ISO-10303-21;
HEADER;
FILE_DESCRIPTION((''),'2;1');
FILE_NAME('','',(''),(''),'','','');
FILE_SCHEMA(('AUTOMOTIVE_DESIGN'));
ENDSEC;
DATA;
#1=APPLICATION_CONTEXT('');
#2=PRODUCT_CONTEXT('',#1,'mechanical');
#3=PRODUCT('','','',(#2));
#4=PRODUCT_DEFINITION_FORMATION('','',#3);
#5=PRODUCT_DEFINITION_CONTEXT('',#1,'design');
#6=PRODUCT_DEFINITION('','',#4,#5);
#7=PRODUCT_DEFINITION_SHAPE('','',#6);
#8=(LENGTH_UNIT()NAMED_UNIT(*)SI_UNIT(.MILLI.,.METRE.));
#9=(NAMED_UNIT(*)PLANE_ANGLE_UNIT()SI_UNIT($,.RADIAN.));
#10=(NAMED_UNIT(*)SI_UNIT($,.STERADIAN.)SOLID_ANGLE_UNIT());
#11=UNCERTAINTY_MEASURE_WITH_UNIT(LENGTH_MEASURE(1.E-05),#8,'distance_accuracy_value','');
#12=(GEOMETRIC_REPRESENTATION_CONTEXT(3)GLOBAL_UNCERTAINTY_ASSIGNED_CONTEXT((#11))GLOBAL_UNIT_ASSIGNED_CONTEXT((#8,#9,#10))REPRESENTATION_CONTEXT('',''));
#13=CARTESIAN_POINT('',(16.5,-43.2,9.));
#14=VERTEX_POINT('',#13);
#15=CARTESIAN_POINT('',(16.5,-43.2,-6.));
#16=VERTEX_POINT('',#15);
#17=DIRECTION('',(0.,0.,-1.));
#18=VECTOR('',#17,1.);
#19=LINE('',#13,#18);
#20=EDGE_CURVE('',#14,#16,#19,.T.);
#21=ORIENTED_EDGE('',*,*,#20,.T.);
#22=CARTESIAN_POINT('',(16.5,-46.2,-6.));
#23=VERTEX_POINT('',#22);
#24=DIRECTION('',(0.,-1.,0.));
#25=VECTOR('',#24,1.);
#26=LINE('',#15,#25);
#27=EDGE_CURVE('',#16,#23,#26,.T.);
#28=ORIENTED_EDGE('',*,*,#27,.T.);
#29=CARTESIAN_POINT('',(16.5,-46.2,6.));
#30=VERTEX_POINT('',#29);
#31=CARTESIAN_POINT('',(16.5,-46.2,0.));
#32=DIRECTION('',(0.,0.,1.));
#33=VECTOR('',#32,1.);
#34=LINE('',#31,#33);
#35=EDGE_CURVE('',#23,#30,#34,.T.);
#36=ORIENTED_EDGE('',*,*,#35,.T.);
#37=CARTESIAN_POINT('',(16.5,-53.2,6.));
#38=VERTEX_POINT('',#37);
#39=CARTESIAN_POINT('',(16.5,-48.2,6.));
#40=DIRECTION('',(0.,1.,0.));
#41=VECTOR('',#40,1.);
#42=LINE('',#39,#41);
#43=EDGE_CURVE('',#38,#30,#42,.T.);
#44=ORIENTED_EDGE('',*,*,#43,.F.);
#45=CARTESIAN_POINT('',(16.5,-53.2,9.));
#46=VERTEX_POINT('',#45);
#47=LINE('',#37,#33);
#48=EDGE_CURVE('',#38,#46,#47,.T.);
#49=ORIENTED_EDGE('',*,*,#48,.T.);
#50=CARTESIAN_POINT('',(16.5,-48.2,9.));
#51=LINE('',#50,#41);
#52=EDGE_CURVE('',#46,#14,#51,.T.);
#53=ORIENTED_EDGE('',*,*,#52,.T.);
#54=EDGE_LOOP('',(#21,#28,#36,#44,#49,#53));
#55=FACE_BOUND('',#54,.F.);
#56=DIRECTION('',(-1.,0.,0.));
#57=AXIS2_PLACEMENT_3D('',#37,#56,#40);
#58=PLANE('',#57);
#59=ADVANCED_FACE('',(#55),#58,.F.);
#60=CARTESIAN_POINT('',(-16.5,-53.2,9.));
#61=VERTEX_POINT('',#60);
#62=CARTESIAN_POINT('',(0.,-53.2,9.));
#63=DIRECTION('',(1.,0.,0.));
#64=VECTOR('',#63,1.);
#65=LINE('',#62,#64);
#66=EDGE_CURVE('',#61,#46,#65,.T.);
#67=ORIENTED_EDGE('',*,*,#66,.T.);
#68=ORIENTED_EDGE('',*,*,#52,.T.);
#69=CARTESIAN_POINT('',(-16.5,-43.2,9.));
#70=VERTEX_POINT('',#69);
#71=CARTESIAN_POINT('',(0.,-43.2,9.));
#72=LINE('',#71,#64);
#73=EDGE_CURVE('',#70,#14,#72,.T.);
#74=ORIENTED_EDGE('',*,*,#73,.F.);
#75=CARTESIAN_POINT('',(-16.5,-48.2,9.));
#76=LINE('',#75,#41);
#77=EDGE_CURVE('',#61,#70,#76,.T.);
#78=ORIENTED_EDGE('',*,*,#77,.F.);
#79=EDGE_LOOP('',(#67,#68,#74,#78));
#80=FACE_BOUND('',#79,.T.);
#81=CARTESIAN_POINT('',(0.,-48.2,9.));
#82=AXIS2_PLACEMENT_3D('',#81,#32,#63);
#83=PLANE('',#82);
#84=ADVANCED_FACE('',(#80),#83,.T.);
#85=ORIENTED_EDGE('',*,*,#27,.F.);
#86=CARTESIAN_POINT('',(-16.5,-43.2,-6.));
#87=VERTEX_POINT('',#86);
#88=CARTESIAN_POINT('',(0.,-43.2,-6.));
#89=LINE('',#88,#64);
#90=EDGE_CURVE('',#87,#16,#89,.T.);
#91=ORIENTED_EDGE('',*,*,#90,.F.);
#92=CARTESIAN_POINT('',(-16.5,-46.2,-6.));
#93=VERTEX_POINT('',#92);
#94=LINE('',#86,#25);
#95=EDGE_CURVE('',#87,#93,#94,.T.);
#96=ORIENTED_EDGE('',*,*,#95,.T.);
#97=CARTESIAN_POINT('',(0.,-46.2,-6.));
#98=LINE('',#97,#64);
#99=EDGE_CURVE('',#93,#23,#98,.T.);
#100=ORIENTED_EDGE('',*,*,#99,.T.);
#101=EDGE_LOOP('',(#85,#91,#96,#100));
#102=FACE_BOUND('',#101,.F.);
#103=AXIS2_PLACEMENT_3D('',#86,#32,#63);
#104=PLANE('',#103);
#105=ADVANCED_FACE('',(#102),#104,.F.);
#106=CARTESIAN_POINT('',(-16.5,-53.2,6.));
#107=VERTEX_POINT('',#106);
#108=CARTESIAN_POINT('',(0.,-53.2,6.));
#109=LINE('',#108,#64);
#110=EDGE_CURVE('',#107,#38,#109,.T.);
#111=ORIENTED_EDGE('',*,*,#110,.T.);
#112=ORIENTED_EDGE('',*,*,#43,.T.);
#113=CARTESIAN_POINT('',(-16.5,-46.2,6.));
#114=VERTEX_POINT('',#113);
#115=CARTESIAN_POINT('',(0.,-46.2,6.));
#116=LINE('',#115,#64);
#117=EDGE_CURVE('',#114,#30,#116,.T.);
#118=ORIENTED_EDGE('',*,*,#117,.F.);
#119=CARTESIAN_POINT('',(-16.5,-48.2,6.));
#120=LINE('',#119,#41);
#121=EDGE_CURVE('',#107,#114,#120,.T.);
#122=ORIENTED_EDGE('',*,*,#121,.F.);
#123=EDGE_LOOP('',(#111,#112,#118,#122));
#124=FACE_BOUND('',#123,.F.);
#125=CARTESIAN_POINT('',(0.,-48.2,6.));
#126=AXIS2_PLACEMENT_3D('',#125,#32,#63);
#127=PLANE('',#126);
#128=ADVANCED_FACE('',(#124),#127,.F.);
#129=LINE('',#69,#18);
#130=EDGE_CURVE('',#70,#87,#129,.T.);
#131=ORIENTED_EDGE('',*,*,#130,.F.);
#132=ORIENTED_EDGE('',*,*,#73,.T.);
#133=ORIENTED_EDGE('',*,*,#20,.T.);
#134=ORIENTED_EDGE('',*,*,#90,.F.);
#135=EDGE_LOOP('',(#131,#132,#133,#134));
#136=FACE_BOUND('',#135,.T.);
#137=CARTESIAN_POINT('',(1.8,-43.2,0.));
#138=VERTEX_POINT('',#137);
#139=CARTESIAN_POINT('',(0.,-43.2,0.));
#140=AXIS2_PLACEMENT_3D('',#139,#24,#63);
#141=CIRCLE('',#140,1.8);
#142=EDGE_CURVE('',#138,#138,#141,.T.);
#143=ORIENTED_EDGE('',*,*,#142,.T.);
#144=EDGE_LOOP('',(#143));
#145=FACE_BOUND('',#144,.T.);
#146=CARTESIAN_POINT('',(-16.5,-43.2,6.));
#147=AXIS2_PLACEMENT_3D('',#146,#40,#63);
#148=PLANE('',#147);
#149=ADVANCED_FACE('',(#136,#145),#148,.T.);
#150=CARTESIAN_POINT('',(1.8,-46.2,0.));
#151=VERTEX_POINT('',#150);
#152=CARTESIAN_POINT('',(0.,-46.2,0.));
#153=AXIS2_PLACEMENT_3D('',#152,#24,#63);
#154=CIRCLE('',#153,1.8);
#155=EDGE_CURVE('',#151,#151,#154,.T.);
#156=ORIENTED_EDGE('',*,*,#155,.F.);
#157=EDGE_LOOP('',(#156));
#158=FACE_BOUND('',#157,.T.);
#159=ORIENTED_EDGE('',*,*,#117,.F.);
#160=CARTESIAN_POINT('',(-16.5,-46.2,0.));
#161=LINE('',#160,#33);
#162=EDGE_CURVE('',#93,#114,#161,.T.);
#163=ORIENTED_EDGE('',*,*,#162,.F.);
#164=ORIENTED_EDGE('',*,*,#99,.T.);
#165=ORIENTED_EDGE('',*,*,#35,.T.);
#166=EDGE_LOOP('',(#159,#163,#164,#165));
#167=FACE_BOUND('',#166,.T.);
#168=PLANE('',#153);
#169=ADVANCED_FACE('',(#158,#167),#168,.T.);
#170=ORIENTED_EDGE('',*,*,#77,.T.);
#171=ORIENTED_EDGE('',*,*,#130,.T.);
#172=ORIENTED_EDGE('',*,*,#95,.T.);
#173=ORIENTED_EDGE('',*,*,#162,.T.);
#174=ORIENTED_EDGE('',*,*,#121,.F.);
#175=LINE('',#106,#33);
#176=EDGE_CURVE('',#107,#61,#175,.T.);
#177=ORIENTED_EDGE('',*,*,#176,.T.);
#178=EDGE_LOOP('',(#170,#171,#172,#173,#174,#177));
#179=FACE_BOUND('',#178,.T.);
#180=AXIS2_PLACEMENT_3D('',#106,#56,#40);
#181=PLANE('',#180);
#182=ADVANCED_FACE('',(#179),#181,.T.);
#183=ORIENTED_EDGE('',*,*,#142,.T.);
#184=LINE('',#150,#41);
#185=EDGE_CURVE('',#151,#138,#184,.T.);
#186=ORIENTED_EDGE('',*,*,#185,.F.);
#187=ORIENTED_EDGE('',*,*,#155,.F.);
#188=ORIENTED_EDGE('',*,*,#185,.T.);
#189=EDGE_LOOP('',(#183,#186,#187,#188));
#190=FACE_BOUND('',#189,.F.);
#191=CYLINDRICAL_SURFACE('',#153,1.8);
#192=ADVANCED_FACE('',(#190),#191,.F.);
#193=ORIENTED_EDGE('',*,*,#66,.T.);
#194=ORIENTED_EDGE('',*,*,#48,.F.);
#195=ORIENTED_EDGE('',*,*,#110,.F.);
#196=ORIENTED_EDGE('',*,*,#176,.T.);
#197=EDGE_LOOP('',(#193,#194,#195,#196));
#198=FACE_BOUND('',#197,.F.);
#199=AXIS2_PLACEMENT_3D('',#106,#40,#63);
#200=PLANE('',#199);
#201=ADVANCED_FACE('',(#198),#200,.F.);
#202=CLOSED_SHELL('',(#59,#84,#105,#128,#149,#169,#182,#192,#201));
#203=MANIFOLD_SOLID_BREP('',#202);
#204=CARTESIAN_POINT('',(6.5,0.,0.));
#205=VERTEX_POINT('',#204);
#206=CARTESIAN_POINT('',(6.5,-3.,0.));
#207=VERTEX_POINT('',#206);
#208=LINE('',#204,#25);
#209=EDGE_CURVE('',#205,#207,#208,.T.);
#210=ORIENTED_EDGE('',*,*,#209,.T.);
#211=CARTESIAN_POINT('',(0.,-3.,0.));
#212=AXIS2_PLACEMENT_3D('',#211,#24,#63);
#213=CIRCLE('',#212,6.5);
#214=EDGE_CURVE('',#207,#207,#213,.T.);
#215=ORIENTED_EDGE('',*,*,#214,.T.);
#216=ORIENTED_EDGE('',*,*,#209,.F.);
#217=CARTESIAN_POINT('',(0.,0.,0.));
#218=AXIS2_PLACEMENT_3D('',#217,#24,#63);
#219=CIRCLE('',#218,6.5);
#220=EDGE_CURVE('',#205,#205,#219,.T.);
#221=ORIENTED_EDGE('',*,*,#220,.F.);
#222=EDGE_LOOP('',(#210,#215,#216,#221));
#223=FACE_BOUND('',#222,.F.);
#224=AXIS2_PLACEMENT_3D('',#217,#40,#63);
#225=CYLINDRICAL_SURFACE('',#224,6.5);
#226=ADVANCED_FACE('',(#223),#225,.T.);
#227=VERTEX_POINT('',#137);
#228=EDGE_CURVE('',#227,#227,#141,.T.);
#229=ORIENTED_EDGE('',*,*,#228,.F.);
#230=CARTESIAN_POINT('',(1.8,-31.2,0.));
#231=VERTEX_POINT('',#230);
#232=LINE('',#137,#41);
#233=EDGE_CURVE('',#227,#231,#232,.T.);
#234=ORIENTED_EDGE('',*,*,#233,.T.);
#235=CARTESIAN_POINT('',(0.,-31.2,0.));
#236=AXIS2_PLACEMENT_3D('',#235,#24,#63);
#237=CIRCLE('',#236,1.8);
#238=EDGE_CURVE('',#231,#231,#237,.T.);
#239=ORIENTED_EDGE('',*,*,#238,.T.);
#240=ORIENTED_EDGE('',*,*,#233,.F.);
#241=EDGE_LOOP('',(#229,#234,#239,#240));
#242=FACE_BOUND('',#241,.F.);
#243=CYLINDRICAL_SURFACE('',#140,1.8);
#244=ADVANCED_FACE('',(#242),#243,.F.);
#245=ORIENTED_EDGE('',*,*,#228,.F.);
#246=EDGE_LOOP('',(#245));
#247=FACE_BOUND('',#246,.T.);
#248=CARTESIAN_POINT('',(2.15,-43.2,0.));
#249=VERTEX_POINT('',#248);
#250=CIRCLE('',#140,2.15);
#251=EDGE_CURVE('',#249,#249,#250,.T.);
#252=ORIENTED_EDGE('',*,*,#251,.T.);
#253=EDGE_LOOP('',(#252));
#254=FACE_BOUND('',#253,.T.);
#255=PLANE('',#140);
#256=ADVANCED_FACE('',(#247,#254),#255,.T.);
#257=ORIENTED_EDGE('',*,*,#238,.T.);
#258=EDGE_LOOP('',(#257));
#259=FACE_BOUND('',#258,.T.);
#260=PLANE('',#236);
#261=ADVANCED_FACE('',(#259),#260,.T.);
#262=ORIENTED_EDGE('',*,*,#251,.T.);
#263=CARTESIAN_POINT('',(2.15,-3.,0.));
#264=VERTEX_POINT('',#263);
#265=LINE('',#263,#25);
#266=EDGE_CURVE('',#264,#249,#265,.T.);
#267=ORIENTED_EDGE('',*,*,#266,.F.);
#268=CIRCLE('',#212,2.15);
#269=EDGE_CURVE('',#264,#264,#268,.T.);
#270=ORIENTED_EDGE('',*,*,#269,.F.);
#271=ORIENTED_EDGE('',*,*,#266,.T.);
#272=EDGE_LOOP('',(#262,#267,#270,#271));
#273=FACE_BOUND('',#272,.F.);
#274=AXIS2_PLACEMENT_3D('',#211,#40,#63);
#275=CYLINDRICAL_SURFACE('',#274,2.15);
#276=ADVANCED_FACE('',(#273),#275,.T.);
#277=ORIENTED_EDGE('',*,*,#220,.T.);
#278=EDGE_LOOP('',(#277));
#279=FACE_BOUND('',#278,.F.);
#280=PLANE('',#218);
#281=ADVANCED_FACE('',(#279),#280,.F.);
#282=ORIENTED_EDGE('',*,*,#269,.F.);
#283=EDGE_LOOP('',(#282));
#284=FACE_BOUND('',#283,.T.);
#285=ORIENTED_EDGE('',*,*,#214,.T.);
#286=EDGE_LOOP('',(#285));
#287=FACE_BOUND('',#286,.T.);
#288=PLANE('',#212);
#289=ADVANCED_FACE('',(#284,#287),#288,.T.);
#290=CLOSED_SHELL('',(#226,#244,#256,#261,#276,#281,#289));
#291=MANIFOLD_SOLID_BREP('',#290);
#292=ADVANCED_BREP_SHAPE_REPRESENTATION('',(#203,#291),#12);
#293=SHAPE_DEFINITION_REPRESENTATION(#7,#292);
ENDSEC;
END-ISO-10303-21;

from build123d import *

# Parameters (mm, degrees)
F0_R      = 6.5
F1_DEPTH  = 3
F2_R      = 2.15
F3_DEPTH  = 40.2
F4_R      = 1.8
F5_DEPTH  = 12
F6_W      = 33
F6_H      = 12
F7_DEPTH  = 3
F8_W      = 33
F8_H      = 10
F9_DEPTH  = 3
F10_R     = 1.8
F11_DEPTH = 46.201


with BuildPart() as f1:
    # F0 (on Front) → F1 (new body)
    with BuildSketch(Plane.XZ):
        Circle(F0_R)
    extrude(amount=F1_DEPTH)

    # F2 (on face) → F3 (join)
    with BuildSketch(Plane.XZ.offset(3)):
        Circle(F2_R)
    extrude(amount=F3_DEPTH)

    # F4 (on face) → F5 (cut)
    with BuildSketch(Plane.XZ.offset(43.2)):
        Circle(F4_R)
    extrude(amount=-F5_DEPTH, mode=Mode.SUBTRACT)


with BuildPart() as f7:
    # F6 (on face) → F7 (new body)
    with BuildSketch(Plane.XZ.offset(43.2)):
        Rectangle(F6_W, F6_H)
    extrude(amount=F7_DEPTH)

    # F8 (on face) → F9 (join)
    with BuildSketch(Plane.XY.offset(6)):
        with Locations((0, -48.2)):
            Rectangle(F8_W, F8_H)
    extrude(amount=F9_DEPTH)

    # F10 (on face) → F11 (cut, through all)
    with BuildSketch(Plane.XZ.offset(46.2)):
        Circle(F10_R)
    extrude(amount=-F11_DEPTH, mode=Mode.SUBTRACT)


solid = Compound([f1.part, f7.part])
